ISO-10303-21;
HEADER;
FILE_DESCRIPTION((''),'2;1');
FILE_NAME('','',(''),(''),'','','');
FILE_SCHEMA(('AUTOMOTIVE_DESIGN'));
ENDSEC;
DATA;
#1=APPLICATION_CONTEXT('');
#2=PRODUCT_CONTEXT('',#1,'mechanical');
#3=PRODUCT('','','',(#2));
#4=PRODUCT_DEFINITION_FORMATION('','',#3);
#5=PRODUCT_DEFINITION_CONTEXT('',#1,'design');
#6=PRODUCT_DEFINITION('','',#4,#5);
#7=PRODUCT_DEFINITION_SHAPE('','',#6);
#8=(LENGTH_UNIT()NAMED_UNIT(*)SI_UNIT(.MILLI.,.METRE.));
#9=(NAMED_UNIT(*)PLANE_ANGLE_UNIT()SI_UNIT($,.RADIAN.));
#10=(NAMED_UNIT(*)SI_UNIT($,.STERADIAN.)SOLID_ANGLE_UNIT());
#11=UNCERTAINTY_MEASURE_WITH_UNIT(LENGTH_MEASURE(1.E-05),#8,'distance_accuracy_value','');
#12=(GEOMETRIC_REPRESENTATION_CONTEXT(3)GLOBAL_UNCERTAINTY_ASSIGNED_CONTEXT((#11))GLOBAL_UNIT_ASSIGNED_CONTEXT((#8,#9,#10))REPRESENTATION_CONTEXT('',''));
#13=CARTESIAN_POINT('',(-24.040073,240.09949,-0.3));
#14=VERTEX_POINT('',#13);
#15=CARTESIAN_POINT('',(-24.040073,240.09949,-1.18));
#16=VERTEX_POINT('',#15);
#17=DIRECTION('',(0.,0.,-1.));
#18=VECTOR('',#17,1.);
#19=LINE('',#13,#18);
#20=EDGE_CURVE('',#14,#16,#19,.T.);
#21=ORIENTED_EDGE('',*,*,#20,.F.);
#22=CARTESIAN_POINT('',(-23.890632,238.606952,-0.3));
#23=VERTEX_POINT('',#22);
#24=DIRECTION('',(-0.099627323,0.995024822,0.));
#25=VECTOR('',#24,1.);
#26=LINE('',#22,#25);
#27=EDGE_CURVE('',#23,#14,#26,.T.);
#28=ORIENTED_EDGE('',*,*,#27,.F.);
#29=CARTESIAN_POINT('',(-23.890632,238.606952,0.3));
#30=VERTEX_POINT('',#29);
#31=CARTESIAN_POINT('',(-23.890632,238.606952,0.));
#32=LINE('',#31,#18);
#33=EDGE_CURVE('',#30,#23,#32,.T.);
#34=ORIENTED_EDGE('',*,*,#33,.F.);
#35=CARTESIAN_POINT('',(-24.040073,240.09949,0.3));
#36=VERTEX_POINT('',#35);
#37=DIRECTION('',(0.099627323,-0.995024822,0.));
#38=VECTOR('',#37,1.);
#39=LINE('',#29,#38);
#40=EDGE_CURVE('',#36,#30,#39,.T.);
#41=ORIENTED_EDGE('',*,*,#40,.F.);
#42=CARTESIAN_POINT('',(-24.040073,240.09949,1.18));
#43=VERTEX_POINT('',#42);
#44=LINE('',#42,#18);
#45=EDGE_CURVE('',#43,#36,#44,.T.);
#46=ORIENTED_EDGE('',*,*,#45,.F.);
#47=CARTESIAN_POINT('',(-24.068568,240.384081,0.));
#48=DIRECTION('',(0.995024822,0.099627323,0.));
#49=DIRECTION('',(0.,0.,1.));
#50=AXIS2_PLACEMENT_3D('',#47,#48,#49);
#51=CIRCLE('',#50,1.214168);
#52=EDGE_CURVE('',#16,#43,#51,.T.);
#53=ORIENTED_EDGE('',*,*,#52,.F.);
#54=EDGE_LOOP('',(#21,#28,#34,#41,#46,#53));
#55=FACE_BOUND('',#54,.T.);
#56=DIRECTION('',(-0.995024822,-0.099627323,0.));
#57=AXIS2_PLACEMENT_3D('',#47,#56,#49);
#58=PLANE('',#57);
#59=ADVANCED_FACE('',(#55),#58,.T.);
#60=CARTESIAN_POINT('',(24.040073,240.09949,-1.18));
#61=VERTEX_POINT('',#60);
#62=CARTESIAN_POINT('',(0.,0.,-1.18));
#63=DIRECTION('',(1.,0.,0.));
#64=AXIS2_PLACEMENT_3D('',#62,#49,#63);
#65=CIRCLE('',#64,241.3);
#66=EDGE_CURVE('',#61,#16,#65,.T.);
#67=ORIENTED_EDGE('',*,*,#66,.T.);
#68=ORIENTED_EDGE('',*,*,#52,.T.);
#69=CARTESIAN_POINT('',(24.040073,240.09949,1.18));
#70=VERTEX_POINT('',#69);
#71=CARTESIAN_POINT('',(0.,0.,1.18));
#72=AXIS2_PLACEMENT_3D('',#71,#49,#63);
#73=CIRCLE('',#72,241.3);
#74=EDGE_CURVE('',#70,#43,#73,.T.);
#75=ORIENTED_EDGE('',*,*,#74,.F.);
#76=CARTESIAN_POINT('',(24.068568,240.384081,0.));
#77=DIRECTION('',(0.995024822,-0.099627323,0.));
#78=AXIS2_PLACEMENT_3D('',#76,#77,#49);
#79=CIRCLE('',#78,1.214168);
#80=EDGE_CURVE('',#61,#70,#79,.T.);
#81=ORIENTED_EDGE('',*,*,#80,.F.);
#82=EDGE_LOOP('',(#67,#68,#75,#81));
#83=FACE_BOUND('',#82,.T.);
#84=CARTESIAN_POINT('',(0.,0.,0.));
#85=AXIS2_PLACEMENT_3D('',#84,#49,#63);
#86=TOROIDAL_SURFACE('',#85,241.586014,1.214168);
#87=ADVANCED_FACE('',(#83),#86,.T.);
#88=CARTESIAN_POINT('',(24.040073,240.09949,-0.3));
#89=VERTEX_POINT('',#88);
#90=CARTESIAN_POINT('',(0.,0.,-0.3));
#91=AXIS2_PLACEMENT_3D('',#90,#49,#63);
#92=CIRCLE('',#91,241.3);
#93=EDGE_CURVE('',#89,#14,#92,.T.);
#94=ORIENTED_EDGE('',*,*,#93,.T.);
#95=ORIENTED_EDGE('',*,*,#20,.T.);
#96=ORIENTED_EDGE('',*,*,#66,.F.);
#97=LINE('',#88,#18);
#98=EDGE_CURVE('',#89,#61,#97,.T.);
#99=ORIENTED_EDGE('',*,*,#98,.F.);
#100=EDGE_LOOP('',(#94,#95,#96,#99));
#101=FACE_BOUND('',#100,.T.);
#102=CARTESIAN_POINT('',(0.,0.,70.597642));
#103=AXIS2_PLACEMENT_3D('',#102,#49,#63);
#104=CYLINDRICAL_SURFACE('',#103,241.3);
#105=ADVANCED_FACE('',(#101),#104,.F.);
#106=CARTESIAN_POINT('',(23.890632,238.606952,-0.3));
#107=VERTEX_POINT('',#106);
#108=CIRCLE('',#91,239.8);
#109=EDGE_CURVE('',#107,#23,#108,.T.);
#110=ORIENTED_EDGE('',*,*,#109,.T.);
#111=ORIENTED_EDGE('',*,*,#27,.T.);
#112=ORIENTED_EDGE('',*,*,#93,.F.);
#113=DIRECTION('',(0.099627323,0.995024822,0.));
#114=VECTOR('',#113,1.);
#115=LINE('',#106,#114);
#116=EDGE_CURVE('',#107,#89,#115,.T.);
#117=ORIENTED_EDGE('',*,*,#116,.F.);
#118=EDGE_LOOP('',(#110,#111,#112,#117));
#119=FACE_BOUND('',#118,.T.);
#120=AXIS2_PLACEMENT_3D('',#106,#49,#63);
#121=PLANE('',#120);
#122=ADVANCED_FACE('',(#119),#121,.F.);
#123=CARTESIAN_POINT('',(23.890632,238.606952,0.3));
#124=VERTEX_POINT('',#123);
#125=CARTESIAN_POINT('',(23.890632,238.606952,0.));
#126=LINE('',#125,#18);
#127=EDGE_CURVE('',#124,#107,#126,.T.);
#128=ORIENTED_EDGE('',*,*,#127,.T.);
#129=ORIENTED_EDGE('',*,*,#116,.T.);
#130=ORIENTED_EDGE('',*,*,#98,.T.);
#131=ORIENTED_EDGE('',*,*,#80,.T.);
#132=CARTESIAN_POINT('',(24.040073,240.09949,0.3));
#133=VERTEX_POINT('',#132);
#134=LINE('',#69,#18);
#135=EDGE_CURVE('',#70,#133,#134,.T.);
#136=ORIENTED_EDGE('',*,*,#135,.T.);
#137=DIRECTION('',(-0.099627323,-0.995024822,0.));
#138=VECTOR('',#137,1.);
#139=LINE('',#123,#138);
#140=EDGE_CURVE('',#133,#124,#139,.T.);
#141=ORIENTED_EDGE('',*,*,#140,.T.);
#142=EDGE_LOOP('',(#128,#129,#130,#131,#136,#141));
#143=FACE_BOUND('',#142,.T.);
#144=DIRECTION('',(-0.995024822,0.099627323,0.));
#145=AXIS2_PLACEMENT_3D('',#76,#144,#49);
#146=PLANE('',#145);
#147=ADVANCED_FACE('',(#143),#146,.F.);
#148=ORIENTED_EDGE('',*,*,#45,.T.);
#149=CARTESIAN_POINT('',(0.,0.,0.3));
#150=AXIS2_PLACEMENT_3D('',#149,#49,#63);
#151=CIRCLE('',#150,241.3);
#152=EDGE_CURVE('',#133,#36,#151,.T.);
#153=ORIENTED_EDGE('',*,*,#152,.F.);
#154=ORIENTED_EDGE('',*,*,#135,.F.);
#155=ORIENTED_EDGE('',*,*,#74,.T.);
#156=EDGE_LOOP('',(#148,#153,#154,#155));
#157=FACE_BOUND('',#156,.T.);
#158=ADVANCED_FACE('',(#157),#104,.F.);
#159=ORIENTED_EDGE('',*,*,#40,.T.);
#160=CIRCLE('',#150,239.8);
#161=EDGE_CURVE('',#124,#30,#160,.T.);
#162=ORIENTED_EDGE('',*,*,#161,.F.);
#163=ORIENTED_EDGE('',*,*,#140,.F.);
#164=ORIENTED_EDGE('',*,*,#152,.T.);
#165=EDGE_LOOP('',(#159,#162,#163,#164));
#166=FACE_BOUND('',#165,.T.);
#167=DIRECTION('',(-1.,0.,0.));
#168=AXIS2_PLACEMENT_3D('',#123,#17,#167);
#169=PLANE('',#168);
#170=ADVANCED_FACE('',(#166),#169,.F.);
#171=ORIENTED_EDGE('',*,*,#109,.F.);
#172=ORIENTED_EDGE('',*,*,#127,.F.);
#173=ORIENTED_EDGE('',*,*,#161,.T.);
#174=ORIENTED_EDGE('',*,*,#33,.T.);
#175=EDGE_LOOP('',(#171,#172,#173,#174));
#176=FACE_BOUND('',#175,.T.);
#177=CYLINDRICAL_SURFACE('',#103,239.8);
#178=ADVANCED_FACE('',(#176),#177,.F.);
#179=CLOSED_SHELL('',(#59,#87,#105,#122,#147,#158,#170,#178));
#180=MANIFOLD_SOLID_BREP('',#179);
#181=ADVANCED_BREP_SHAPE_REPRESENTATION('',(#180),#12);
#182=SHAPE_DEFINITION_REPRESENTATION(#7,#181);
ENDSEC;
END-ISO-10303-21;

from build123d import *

# Parameters (mm, degrees)
REVOLVE1_ANGLE           = 5.717710468
REVOLVE1_OTHER_WAY_ANGLE = 5.717710468


with BuildPart() as part:
    # Sketch2 → Revolve1 (revolve)
    with BuildSketch(Plane(origin=(0, 0, 0), x_dir=(0, 0, -1), z_dir=(1, 0, 0))):
        with BuildLine():
            Line((0, 239.8), (0.3, 239.8))
            Line((0.3, 239.8), (0.3, 241.3))
            Line((0.3, 241.3), (1.18, 241.3))
            ThreePointArc((1.18, 241.3), (0, 242.800182019), (-1.18, 241.3))
            Line((-1.18, 241.3), (-0.3, 241.3))
            Line((-0.3, 241.3), (-0.3, 239.8))
            Line((-0.3, 239.8), (0, 239.8))
        make_face()
    revolve(axis=Axis((0, 0, 70.597641597), (0, 0, -1)), revolution_arc=REVOLVE1_ANGLE)

    # Sketch2 → Revolve1 other way (revolve)
    with BuildSketch(Plane(origin=(0, 0, 0), x_dir=(0, 0, -1), z_dir=(1, 0, 0))):
        with BuildLine():
            Line((0, 239.8), (0.3, 239.8))
            Line((0.3, 239.8), (0.3, 241.3))
            Line((0.3, 241.3), (1.18, 241.3))
            ThreePointArc((1.18, 241.3), (0, 242.800182019), (-1.18, 241.3))
            Line((-1.18, 241.3), (-0.3, 241.3))
            Line((-0.3, 241.3), (-0.3, 239.8))
            Line((-0.3, 239.8), (0, 239.8))
        make_face()
    revolve(axis=Axis((0, 0, 70.597641597), (0, 0, 1)), revolution_arc=REVOLVE1_OTHER_WAY_ANGLE)


solid = part.part
